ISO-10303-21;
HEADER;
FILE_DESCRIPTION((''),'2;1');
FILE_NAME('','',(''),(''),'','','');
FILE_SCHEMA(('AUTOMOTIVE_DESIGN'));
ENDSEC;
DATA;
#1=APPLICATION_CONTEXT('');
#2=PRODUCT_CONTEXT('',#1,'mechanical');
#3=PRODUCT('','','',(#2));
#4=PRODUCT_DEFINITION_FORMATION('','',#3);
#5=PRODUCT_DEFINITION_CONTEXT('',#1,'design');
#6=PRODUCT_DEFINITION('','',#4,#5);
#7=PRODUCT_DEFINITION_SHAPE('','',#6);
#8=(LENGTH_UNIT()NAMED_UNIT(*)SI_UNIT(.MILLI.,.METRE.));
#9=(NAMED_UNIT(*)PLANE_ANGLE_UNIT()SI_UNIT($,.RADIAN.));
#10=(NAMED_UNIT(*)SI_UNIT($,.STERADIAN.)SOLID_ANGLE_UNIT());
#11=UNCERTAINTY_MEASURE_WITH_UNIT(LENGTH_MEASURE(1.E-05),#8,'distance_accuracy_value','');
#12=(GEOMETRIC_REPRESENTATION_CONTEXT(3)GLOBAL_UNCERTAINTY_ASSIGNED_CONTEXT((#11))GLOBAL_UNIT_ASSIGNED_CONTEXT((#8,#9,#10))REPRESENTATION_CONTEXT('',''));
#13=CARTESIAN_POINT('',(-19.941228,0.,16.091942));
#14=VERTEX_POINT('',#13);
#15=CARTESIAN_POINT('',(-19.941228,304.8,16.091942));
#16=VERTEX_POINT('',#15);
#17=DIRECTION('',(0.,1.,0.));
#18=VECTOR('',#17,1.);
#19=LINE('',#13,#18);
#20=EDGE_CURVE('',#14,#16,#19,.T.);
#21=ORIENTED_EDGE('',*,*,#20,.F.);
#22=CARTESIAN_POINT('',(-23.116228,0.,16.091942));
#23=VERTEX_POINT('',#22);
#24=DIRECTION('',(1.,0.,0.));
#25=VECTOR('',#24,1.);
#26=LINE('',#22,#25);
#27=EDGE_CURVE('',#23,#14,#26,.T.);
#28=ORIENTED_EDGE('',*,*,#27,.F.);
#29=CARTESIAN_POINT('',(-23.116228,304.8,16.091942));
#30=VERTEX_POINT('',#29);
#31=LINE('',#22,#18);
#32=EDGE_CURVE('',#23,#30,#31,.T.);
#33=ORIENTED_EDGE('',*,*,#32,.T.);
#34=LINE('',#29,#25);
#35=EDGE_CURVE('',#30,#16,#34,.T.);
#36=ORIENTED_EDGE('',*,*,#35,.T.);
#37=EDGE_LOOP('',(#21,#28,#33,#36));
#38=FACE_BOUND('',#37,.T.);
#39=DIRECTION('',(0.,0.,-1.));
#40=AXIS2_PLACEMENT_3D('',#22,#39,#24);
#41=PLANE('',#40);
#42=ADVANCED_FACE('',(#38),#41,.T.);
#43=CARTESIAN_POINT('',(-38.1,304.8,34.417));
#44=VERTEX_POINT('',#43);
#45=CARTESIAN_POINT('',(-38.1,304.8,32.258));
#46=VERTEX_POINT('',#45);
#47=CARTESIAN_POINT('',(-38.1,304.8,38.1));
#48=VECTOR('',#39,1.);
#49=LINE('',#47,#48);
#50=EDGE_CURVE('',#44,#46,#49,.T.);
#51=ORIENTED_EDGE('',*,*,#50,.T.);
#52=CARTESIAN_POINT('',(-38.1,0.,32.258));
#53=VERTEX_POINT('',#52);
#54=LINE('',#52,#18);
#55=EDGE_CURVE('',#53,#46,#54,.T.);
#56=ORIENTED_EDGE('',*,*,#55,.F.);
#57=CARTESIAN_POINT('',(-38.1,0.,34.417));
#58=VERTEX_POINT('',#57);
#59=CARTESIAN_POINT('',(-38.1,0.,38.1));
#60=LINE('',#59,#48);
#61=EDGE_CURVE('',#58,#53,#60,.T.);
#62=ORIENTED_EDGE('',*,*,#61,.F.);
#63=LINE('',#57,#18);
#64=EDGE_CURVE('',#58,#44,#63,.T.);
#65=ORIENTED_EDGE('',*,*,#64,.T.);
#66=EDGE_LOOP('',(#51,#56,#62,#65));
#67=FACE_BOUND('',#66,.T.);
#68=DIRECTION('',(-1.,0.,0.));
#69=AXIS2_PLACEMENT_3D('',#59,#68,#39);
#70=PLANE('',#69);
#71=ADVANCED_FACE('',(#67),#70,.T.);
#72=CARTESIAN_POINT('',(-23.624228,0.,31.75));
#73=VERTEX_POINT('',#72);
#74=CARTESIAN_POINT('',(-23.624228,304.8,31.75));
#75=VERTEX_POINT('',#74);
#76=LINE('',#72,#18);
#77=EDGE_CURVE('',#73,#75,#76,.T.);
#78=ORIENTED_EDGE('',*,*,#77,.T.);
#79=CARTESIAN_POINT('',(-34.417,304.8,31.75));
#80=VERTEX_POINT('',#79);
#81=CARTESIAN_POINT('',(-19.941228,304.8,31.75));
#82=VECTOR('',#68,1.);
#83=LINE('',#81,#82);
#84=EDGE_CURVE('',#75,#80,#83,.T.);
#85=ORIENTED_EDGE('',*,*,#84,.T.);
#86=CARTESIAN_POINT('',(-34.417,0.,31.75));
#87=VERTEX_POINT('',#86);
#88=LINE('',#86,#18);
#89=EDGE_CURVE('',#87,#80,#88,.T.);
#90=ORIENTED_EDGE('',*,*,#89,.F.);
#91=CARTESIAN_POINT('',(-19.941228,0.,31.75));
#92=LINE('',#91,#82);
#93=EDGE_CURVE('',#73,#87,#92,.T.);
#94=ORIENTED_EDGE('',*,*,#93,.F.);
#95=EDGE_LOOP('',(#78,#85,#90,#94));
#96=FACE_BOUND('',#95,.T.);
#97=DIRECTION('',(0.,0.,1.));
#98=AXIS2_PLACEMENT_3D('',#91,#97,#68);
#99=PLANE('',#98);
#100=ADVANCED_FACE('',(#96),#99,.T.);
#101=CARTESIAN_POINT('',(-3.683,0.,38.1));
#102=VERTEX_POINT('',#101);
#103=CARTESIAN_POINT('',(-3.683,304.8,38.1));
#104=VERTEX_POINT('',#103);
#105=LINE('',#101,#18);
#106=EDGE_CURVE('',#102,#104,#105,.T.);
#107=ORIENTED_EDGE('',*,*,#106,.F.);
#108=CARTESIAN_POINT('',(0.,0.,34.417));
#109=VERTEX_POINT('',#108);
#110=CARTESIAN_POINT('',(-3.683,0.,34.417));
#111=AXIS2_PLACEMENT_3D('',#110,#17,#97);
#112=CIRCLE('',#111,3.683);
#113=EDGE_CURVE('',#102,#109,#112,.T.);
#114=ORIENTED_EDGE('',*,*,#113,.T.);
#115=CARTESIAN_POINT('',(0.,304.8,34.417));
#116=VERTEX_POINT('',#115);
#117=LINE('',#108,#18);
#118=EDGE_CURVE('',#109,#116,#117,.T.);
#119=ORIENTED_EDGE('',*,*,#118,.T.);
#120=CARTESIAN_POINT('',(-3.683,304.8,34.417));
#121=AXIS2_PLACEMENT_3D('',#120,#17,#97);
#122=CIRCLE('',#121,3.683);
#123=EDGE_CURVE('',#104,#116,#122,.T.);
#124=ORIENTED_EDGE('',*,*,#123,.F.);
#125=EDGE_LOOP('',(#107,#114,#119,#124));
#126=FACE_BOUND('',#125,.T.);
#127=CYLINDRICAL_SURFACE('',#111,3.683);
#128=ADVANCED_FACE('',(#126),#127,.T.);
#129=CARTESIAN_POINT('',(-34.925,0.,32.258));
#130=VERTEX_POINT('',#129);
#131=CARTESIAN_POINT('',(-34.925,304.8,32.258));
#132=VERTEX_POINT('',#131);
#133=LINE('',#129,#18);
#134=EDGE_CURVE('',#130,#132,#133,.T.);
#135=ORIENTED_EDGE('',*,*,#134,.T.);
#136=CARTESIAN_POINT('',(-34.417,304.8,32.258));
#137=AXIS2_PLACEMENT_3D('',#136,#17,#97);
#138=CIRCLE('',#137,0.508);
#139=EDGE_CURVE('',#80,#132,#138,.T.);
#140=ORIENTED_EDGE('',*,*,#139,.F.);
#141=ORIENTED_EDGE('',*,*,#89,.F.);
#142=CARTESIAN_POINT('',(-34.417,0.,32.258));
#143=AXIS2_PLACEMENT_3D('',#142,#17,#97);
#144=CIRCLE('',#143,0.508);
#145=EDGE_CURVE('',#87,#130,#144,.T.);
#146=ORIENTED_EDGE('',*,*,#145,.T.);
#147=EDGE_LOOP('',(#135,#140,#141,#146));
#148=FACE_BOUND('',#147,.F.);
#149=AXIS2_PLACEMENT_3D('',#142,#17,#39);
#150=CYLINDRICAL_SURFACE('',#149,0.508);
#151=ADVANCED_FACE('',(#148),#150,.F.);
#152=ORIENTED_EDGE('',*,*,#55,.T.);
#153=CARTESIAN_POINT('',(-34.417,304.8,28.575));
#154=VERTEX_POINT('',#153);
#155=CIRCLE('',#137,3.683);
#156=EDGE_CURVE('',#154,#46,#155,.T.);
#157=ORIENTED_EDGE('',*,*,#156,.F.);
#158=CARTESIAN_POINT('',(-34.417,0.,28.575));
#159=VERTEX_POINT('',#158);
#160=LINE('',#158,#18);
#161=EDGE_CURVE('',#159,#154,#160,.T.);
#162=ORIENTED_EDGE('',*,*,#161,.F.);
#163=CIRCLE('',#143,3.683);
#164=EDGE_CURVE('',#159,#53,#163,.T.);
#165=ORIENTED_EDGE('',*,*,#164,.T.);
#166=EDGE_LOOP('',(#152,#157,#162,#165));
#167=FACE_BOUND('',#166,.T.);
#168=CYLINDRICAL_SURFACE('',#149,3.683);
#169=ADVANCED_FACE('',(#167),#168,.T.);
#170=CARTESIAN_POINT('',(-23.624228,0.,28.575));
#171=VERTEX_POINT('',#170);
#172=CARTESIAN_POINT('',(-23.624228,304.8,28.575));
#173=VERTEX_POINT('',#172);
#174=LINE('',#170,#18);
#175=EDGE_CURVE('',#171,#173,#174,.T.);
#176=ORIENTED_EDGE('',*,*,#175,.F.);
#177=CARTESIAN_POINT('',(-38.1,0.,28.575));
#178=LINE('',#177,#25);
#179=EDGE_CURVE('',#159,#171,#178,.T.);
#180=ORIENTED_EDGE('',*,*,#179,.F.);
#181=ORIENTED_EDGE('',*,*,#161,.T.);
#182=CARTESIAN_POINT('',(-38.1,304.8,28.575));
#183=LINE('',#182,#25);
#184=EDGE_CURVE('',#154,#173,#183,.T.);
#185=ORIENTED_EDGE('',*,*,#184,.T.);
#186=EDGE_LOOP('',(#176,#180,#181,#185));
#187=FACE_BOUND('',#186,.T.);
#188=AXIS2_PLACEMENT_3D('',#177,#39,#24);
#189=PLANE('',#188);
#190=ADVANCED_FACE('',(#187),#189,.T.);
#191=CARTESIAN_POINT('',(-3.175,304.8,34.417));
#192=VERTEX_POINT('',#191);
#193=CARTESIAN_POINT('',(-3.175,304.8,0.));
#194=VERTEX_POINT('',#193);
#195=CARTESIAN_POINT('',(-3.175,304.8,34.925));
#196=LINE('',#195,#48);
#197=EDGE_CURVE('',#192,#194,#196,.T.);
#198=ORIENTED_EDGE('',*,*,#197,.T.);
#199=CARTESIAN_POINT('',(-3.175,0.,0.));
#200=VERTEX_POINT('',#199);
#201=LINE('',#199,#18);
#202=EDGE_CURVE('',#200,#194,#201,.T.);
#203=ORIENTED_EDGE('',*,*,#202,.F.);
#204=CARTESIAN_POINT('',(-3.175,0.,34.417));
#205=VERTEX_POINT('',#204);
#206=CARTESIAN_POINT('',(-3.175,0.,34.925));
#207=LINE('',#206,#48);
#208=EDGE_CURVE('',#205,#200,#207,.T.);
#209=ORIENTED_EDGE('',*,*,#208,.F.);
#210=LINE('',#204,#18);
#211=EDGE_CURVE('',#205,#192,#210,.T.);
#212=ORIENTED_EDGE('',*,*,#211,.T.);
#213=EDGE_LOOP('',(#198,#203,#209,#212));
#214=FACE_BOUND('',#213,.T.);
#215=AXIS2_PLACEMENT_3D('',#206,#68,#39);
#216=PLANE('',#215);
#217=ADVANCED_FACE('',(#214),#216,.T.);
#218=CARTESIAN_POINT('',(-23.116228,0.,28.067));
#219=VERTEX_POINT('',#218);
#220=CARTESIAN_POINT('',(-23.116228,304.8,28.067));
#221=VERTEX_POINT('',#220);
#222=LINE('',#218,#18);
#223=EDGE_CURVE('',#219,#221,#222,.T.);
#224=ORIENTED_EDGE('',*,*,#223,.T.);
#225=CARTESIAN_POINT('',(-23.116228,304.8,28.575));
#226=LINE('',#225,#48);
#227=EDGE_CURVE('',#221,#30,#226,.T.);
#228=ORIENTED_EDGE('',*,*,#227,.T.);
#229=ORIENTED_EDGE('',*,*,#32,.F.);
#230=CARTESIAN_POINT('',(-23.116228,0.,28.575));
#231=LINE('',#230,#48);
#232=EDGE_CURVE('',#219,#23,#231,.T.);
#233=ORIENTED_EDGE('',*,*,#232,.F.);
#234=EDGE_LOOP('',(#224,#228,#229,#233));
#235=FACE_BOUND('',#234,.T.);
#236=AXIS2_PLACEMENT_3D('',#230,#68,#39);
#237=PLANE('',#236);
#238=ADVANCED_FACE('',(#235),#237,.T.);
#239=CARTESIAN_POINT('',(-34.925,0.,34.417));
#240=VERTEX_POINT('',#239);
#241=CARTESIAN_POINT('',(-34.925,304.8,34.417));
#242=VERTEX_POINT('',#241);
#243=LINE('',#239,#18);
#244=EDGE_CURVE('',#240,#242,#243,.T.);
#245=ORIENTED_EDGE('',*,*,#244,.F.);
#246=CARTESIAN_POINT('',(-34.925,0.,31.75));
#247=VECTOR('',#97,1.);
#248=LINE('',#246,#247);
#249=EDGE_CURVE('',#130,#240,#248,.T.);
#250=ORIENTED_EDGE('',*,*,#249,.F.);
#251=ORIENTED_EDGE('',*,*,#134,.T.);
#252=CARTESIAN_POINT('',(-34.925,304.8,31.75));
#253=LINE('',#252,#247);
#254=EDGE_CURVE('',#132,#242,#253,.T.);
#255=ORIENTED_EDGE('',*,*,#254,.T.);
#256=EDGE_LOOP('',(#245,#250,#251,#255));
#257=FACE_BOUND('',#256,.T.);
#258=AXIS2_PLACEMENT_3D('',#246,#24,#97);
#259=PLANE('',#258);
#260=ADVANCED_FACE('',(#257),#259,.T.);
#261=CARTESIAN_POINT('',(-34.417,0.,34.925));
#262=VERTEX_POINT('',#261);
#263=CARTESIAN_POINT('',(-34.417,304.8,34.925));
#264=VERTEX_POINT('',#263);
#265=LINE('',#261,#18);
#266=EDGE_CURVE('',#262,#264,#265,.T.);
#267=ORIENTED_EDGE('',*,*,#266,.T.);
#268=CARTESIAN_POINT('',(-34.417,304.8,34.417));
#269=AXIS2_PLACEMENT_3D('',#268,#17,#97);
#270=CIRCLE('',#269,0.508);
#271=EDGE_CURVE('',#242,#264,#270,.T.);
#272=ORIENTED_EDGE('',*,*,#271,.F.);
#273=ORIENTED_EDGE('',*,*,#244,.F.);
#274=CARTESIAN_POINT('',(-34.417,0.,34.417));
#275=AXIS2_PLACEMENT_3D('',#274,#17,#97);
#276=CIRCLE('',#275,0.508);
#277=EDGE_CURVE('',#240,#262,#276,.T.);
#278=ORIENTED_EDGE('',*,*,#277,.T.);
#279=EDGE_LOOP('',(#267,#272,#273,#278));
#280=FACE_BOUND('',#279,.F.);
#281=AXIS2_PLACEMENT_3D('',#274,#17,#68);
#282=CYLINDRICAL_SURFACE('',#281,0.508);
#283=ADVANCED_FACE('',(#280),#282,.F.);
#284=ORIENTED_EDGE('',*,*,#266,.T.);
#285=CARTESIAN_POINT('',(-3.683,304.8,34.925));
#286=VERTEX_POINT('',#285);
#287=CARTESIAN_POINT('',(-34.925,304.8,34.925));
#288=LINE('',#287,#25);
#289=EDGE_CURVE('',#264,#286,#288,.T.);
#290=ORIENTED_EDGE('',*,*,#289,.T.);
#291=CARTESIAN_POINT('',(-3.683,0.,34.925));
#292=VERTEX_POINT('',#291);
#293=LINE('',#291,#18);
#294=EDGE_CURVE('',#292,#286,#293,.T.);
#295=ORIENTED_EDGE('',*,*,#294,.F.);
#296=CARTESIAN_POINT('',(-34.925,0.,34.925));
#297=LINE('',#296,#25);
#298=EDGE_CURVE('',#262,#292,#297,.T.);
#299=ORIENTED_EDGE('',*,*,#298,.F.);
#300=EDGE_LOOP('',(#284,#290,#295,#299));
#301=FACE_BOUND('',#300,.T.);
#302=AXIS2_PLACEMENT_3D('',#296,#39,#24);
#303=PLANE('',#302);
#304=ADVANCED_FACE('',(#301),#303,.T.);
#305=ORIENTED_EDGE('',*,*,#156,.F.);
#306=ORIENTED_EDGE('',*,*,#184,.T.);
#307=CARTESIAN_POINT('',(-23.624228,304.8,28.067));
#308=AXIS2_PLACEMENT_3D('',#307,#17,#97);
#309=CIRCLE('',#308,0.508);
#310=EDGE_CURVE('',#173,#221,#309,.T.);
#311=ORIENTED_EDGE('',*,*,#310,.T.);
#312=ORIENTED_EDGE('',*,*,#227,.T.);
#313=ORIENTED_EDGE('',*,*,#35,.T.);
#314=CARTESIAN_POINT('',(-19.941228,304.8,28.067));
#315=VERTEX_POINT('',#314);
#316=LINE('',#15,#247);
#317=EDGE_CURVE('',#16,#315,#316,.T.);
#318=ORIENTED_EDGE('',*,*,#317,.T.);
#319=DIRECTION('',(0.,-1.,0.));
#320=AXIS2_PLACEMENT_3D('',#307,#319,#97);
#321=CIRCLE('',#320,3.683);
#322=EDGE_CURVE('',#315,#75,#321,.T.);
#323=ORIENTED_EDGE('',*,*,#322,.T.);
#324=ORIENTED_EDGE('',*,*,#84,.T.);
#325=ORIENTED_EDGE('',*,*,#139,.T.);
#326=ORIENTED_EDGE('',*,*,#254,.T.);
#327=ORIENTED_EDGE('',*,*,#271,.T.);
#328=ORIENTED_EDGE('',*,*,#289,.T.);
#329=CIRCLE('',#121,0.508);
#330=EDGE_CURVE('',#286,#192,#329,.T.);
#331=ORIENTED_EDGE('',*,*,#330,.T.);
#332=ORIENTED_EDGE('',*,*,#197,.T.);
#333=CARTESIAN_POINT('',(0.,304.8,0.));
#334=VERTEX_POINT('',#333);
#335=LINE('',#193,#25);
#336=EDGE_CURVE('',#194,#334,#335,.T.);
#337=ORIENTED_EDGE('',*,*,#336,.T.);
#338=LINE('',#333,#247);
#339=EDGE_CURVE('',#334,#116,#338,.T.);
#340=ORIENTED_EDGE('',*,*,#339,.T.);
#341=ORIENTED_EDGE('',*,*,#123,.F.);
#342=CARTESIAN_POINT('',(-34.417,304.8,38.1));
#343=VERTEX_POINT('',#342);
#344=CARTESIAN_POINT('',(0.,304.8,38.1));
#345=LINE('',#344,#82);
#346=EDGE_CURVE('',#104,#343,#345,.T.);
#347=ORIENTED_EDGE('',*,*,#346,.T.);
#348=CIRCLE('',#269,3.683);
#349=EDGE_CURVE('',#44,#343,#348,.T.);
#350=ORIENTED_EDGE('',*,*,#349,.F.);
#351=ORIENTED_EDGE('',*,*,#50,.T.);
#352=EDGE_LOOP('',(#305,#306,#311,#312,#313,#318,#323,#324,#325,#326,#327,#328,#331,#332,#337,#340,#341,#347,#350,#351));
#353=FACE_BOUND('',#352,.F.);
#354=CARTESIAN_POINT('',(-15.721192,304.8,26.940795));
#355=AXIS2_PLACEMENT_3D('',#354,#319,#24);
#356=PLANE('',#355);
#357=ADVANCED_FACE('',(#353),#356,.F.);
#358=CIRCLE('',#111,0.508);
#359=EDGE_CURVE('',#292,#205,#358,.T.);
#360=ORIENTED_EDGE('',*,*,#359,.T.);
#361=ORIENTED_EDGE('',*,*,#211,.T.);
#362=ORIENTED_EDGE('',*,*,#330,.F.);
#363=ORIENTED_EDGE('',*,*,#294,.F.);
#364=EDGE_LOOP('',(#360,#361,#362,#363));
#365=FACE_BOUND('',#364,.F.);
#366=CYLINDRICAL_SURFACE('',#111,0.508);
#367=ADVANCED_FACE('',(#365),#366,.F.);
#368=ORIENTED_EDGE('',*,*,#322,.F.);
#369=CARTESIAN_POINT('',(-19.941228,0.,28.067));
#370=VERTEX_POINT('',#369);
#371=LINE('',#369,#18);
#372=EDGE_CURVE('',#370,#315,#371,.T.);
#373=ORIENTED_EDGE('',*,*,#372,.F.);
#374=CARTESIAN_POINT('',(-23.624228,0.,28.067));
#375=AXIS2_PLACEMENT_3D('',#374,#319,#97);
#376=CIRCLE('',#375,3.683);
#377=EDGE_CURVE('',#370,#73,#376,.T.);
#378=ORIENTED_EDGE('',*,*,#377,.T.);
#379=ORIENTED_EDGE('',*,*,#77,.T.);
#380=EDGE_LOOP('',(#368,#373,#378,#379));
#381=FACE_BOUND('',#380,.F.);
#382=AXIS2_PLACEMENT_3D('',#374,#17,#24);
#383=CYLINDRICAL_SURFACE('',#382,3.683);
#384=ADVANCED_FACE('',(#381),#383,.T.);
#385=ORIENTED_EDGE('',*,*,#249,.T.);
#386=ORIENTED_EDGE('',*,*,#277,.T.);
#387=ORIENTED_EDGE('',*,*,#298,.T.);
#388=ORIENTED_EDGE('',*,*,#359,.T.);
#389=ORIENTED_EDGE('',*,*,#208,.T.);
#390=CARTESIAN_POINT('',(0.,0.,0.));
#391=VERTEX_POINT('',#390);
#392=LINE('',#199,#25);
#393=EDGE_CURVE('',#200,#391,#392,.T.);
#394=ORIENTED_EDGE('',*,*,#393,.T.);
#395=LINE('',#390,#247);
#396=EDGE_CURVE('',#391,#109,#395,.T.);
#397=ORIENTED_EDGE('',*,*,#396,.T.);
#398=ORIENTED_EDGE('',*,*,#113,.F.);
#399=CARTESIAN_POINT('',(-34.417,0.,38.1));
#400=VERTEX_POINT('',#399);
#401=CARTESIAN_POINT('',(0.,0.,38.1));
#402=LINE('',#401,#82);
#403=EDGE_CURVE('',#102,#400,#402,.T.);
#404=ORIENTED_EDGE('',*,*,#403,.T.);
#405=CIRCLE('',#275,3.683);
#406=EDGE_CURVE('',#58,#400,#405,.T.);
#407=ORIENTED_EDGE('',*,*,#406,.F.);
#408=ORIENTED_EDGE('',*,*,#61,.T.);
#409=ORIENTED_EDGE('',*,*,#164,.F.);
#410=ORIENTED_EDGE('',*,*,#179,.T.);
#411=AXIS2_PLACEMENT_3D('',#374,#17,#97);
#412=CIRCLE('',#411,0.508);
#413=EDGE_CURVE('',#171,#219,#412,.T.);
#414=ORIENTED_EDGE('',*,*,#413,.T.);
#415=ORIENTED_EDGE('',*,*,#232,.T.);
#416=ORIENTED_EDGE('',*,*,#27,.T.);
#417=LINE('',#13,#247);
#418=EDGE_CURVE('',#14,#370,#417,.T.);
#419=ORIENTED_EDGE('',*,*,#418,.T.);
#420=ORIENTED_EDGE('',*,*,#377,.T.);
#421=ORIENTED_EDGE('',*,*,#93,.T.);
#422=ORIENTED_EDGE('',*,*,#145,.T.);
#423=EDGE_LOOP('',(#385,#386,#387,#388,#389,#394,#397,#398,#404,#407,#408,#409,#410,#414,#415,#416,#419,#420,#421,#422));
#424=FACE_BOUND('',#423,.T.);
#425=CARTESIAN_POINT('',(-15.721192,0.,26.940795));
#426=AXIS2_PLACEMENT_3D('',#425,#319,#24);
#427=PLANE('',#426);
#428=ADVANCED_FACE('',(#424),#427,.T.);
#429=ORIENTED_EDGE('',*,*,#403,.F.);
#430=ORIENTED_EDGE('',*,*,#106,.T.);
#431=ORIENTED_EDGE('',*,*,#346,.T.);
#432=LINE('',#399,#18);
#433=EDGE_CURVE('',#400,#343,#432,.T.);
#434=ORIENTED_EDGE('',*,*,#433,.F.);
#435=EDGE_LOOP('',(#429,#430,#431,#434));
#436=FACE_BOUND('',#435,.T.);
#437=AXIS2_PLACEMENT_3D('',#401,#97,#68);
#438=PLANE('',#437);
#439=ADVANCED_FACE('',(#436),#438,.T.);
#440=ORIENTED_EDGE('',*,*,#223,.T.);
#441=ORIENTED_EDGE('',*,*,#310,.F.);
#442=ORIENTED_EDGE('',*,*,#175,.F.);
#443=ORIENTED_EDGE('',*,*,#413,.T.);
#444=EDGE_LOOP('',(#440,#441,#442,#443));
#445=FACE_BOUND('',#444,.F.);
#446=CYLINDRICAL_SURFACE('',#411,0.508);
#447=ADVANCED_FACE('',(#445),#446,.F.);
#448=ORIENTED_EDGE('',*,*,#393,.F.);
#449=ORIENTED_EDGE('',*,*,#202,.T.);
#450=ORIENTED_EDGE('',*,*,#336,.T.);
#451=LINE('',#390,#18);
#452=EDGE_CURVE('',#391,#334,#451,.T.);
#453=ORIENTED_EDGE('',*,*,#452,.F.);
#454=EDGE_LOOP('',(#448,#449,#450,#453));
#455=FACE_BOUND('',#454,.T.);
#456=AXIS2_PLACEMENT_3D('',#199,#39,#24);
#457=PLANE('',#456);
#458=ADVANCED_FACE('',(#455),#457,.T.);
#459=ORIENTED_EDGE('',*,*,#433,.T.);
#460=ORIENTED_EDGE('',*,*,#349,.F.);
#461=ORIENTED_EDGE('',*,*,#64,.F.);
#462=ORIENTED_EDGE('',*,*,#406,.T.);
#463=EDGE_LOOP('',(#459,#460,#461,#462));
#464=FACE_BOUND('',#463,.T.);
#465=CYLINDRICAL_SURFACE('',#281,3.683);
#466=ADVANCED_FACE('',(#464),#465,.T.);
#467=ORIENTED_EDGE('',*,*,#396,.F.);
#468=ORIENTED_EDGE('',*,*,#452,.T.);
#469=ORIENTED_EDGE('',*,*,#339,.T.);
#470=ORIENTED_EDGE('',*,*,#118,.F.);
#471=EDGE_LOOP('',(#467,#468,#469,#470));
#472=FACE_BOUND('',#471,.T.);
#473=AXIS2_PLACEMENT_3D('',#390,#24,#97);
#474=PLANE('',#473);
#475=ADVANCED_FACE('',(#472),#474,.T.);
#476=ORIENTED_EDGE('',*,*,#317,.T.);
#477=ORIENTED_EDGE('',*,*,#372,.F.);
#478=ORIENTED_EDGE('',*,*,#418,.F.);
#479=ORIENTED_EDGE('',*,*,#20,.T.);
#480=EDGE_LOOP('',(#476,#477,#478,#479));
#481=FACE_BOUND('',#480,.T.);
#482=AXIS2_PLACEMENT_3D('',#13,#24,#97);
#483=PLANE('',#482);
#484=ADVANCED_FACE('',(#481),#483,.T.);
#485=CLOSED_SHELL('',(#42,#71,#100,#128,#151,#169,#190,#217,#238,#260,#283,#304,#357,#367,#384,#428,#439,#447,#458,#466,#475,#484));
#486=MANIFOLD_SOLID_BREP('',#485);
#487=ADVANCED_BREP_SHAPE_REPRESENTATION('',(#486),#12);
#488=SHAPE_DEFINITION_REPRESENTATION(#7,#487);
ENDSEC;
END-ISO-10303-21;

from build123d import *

# Parameters (mm, degrees)
F1_DEPTH = 304.8
F2_R     = 0.508
F3_R     = 3.683


with BuildPart() as f1:
    # F0 (on Front) → F1 (new body)
    with BuildSketch(Plane.XZ):
        Polygon((-3.175, 0), (0, 0), (0, 38.1), (-38.1, 38.1), (-38.1, 28.575), (-23.116228, 28.575), (-23.116228, 16.091942), (-19.941228, 16.091942), (-19.941228, 31.75), (-34.925, 31.75), (-34.925, 34.925), (-3.175, 34.925), align=None)
    extrude(amount=-F1_DEPTH)

    # F2
    f2_edges = [f1.edges().sort_by_distance(p)[0] for p in [
        (-34.925, 152.4, 31.75),
        (-34.925, 152.4, 34.925),
        (-3.175, 152.4, 34.925),
        (-23.116228, 152.4, 28.575),
    ]]
    fillet(f2_edges, radius=F2_R)

    # F3
    f3_edges = [f1.edges().sort_by_distance(p)[0] for p in [
        (-38.1, 152.4, 38.1),
        (0, 152.4, 38.1),
        (-19.941228, 152.4, 31.75),
        (-38.1, 152.4, 28.575),
    ]]
    fillet(f3_edges, radius=F3_R)


solid = f1.part
